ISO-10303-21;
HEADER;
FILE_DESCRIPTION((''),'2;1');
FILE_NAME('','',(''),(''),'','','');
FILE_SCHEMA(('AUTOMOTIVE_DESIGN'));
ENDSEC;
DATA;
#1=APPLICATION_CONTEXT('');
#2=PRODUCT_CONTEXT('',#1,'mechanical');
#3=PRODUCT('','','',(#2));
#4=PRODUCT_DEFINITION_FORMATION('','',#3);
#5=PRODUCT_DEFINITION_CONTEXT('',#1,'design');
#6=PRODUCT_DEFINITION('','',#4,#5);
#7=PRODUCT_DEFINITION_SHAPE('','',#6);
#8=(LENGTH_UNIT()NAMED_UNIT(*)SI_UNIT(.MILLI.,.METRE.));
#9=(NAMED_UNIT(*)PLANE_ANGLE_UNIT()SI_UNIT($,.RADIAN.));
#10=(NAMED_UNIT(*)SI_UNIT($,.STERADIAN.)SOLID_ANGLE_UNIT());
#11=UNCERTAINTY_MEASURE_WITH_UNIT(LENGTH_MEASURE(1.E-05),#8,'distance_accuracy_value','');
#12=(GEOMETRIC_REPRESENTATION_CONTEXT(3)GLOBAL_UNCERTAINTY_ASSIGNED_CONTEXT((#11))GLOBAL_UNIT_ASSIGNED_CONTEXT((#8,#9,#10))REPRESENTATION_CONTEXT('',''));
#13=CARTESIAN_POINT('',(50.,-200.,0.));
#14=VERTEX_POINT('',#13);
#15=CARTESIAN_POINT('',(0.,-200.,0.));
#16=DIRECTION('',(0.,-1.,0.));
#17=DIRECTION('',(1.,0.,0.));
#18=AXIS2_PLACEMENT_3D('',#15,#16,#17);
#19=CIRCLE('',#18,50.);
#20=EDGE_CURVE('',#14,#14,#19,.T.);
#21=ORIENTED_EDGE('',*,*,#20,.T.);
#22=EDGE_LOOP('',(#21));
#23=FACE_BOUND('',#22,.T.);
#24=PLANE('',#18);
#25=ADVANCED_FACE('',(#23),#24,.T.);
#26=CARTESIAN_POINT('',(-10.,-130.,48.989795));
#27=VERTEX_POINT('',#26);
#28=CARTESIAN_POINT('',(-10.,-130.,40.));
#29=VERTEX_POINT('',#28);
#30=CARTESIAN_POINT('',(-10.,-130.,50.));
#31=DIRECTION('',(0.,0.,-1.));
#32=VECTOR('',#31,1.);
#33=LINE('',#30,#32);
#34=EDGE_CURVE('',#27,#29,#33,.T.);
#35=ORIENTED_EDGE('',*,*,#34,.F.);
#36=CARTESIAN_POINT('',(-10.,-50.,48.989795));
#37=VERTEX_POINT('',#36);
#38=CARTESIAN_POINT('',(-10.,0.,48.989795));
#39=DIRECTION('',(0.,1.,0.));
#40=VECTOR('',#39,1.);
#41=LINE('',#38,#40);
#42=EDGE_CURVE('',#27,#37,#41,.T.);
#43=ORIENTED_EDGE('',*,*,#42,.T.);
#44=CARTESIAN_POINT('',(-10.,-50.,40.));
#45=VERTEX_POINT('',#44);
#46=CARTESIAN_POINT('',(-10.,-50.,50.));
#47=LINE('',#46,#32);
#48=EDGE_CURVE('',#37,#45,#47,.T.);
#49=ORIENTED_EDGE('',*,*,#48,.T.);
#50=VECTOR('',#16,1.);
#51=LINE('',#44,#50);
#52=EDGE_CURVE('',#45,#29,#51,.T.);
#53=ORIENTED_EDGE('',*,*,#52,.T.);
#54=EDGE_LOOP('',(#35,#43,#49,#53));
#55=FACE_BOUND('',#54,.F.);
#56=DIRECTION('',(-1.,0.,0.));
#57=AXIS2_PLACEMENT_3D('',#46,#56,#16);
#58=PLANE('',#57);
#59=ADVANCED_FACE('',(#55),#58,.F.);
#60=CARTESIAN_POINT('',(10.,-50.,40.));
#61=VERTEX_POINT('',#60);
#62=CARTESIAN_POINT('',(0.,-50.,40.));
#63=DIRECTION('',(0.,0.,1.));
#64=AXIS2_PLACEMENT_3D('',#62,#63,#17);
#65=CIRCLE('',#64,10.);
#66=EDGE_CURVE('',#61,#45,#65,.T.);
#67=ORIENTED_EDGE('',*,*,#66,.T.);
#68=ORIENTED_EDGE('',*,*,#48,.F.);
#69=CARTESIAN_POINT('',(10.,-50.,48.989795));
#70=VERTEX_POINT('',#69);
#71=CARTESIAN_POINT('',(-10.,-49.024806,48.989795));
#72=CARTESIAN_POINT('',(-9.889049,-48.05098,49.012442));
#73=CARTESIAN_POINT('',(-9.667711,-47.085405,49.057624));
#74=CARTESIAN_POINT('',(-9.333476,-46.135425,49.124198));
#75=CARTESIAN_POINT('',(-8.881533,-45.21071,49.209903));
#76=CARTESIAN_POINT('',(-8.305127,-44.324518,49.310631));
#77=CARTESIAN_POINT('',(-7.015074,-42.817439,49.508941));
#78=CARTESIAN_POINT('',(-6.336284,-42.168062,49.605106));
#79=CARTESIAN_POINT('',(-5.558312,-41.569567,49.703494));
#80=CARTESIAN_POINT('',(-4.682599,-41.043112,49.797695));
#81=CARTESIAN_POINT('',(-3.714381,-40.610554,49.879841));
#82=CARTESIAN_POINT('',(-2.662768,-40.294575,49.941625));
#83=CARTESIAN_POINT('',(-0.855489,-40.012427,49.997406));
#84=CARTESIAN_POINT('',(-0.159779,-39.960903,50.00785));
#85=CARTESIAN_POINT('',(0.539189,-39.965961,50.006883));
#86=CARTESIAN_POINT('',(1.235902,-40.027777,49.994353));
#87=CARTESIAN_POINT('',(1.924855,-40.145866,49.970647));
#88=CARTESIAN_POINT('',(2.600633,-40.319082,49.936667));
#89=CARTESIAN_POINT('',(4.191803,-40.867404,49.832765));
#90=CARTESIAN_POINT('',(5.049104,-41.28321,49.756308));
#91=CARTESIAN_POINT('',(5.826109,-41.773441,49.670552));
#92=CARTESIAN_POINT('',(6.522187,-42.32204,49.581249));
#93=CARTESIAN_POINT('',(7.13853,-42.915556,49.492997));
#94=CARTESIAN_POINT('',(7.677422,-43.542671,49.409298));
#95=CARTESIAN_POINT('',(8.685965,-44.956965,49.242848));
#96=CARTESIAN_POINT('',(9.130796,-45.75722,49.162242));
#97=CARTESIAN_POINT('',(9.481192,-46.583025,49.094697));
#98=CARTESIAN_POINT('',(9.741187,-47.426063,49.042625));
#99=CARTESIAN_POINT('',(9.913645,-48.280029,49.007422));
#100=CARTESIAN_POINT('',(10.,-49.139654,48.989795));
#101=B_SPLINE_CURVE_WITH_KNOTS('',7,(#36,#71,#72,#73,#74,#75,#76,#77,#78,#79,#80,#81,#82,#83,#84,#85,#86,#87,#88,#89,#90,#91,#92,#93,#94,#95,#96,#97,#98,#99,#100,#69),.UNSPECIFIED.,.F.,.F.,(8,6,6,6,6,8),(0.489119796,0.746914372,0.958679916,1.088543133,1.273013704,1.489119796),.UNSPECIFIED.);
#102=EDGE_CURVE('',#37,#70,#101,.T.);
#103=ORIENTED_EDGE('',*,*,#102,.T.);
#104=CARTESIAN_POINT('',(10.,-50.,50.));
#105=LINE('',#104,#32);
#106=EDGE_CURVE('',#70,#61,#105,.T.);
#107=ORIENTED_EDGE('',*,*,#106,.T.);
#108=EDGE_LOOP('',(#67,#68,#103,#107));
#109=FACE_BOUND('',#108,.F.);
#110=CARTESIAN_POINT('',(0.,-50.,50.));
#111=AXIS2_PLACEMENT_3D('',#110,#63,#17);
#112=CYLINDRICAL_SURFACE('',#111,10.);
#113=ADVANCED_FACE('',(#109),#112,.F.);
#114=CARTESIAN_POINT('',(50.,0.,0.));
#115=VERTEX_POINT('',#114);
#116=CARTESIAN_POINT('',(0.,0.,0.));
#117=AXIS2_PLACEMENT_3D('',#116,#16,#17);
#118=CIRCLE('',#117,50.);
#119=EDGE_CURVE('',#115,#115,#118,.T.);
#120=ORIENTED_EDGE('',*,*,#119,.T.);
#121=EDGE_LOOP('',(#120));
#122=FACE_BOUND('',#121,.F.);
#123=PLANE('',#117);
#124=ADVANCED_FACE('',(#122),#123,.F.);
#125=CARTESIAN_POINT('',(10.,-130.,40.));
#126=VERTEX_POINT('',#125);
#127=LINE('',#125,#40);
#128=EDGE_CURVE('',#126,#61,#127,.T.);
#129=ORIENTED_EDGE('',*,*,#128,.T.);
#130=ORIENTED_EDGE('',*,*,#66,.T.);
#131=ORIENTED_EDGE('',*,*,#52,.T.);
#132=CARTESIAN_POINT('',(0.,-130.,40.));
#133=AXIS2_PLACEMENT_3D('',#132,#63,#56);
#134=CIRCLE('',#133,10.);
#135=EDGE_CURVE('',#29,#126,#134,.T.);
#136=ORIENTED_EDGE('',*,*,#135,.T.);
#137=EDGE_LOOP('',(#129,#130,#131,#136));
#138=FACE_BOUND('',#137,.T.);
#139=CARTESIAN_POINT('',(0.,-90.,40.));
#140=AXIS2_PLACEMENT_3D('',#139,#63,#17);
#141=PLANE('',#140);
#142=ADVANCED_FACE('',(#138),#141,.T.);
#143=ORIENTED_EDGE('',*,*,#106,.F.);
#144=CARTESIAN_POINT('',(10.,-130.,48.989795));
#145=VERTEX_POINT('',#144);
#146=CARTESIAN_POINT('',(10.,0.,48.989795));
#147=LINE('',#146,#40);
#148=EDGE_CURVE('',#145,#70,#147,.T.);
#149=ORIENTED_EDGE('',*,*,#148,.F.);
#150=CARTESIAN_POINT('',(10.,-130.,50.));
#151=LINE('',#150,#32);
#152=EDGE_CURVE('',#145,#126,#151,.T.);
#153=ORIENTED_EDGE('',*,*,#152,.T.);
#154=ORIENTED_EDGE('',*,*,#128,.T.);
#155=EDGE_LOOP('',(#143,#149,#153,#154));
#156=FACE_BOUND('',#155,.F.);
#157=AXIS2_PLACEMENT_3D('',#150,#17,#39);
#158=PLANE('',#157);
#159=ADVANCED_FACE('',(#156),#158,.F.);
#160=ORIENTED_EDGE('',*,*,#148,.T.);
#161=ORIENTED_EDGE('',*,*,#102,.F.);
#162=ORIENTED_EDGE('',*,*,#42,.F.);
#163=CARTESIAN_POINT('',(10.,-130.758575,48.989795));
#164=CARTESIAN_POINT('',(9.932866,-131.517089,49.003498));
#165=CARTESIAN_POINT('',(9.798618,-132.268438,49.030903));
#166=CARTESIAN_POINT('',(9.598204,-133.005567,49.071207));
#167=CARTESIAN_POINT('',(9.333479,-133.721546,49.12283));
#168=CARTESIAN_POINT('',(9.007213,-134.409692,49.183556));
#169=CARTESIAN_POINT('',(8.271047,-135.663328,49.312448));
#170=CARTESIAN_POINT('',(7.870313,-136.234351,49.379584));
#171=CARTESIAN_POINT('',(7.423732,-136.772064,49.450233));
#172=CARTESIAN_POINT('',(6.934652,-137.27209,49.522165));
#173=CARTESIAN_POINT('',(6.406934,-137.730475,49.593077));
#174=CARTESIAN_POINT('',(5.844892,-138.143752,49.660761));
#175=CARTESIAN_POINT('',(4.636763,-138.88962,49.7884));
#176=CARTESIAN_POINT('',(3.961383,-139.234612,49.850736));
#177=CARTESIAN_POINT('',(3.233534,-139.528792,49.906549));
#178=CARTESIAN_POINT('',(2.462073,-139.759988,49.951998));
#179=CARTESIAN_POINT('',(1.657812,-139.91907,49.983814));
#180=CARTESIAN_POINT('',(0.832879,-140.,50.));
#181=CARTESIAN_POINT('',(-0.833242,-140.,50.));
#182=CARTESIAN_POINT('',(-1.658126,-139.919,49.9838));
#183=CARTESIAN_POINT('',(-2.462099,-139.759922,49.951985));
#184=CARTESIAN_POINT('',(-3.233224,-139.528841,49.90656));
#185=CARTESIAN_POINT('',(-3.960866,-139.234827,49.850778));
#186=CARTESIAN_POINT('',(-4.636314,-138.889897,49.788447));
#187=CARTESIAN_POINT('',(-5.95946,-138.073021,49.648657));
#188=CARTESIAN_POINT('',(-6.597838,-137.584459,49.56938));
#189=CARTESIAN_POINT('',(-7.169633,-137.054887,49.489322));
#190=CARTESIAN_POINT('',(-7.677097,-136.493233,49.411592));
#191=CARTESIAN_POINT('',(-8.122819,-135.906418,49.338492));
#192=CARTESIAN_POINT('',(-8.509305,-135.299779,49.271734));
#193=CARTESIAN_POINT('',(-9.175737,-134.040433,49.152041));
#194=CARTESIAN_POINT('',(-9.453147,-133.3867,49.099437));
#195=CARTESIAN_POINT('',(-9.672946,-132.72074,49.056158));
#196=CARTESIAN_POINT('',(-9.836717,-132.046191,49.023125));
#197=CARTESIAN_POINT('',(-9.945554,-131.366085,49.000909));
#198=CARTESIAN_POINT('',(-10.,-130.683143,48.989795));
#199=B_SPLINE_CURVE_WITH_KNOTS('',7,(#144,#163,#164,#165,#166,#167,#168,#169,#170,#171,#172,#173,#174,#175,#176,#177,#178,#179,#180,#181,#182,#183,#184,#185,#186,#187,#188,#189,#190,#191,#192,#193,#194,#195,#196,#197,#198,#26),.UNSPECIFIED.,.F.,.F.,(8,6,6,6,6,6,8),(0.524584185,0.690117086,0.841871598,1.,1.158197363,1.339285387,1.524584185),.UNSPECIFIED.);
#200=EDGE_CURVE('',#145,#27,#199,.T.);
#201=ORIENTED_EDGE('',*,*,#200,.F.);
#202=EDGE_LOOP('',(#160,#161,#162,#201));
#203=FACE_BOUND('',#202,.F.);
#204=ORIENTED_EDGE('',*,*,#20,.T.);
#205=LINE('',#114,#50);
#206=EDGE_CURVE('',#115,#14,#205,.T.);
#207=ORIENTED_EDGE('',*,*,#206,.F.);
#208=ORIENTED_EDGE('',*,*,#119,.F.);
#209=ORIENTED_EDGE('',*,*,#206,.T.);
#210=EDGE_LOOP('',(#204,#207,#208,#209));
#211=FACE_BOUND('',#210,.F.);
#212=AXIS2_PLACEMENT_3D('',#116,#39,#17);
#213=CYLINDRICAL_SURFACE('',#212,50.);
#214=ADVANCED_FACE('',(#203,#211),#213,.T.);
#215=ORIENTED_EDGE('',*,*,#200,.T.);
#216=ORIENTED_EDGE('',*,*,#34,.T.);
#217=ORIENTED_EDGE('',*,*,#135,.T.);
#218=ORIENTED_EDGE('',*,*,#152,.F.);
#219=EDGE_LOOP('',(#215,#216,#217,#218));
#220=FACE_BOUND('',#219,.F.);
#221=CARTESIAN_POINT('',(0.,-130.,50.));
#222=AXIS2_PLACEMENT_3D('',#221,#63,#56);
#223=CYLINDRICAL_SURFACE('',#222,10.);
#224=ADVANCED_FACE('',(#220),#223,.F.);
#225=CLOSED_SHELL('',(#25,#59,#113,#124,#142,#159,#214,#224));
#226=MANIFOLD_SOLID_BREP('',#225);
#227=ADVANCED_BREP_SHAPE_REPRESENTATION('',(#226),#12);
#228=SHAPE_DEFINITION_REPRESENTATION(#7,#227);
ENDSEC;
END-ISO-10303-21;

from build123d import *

# Parameters (mm, degrees)
F0_R     = 50
F1_DEPTH = 200
F4_DEPTH = 10


with BuildPart() as f1:
    # F0 (on Front) → F1 (new body)
    with BuildSketch(Plane.XZ):
        Circle(F0_R)
    extrude(amount=F1_DEPTH)

    # F3 (on offset) → F4 (cut)
    with BuildSketch(Plane.XY.offset(50)):
        with BuildLine():
            Line((-10, -50), (-10, -130))
            ThreePointArc((-10, -130), (0, -140), (10, -130))
            Line((10, -130), (10, -50))
            ThreePointArc((10, -50), (0, -40), (-10, -50))
        make_face()
    extrude(amount=-F4_DEPTH, mode=Mode.SUBTRACT)


solid = f1.part
